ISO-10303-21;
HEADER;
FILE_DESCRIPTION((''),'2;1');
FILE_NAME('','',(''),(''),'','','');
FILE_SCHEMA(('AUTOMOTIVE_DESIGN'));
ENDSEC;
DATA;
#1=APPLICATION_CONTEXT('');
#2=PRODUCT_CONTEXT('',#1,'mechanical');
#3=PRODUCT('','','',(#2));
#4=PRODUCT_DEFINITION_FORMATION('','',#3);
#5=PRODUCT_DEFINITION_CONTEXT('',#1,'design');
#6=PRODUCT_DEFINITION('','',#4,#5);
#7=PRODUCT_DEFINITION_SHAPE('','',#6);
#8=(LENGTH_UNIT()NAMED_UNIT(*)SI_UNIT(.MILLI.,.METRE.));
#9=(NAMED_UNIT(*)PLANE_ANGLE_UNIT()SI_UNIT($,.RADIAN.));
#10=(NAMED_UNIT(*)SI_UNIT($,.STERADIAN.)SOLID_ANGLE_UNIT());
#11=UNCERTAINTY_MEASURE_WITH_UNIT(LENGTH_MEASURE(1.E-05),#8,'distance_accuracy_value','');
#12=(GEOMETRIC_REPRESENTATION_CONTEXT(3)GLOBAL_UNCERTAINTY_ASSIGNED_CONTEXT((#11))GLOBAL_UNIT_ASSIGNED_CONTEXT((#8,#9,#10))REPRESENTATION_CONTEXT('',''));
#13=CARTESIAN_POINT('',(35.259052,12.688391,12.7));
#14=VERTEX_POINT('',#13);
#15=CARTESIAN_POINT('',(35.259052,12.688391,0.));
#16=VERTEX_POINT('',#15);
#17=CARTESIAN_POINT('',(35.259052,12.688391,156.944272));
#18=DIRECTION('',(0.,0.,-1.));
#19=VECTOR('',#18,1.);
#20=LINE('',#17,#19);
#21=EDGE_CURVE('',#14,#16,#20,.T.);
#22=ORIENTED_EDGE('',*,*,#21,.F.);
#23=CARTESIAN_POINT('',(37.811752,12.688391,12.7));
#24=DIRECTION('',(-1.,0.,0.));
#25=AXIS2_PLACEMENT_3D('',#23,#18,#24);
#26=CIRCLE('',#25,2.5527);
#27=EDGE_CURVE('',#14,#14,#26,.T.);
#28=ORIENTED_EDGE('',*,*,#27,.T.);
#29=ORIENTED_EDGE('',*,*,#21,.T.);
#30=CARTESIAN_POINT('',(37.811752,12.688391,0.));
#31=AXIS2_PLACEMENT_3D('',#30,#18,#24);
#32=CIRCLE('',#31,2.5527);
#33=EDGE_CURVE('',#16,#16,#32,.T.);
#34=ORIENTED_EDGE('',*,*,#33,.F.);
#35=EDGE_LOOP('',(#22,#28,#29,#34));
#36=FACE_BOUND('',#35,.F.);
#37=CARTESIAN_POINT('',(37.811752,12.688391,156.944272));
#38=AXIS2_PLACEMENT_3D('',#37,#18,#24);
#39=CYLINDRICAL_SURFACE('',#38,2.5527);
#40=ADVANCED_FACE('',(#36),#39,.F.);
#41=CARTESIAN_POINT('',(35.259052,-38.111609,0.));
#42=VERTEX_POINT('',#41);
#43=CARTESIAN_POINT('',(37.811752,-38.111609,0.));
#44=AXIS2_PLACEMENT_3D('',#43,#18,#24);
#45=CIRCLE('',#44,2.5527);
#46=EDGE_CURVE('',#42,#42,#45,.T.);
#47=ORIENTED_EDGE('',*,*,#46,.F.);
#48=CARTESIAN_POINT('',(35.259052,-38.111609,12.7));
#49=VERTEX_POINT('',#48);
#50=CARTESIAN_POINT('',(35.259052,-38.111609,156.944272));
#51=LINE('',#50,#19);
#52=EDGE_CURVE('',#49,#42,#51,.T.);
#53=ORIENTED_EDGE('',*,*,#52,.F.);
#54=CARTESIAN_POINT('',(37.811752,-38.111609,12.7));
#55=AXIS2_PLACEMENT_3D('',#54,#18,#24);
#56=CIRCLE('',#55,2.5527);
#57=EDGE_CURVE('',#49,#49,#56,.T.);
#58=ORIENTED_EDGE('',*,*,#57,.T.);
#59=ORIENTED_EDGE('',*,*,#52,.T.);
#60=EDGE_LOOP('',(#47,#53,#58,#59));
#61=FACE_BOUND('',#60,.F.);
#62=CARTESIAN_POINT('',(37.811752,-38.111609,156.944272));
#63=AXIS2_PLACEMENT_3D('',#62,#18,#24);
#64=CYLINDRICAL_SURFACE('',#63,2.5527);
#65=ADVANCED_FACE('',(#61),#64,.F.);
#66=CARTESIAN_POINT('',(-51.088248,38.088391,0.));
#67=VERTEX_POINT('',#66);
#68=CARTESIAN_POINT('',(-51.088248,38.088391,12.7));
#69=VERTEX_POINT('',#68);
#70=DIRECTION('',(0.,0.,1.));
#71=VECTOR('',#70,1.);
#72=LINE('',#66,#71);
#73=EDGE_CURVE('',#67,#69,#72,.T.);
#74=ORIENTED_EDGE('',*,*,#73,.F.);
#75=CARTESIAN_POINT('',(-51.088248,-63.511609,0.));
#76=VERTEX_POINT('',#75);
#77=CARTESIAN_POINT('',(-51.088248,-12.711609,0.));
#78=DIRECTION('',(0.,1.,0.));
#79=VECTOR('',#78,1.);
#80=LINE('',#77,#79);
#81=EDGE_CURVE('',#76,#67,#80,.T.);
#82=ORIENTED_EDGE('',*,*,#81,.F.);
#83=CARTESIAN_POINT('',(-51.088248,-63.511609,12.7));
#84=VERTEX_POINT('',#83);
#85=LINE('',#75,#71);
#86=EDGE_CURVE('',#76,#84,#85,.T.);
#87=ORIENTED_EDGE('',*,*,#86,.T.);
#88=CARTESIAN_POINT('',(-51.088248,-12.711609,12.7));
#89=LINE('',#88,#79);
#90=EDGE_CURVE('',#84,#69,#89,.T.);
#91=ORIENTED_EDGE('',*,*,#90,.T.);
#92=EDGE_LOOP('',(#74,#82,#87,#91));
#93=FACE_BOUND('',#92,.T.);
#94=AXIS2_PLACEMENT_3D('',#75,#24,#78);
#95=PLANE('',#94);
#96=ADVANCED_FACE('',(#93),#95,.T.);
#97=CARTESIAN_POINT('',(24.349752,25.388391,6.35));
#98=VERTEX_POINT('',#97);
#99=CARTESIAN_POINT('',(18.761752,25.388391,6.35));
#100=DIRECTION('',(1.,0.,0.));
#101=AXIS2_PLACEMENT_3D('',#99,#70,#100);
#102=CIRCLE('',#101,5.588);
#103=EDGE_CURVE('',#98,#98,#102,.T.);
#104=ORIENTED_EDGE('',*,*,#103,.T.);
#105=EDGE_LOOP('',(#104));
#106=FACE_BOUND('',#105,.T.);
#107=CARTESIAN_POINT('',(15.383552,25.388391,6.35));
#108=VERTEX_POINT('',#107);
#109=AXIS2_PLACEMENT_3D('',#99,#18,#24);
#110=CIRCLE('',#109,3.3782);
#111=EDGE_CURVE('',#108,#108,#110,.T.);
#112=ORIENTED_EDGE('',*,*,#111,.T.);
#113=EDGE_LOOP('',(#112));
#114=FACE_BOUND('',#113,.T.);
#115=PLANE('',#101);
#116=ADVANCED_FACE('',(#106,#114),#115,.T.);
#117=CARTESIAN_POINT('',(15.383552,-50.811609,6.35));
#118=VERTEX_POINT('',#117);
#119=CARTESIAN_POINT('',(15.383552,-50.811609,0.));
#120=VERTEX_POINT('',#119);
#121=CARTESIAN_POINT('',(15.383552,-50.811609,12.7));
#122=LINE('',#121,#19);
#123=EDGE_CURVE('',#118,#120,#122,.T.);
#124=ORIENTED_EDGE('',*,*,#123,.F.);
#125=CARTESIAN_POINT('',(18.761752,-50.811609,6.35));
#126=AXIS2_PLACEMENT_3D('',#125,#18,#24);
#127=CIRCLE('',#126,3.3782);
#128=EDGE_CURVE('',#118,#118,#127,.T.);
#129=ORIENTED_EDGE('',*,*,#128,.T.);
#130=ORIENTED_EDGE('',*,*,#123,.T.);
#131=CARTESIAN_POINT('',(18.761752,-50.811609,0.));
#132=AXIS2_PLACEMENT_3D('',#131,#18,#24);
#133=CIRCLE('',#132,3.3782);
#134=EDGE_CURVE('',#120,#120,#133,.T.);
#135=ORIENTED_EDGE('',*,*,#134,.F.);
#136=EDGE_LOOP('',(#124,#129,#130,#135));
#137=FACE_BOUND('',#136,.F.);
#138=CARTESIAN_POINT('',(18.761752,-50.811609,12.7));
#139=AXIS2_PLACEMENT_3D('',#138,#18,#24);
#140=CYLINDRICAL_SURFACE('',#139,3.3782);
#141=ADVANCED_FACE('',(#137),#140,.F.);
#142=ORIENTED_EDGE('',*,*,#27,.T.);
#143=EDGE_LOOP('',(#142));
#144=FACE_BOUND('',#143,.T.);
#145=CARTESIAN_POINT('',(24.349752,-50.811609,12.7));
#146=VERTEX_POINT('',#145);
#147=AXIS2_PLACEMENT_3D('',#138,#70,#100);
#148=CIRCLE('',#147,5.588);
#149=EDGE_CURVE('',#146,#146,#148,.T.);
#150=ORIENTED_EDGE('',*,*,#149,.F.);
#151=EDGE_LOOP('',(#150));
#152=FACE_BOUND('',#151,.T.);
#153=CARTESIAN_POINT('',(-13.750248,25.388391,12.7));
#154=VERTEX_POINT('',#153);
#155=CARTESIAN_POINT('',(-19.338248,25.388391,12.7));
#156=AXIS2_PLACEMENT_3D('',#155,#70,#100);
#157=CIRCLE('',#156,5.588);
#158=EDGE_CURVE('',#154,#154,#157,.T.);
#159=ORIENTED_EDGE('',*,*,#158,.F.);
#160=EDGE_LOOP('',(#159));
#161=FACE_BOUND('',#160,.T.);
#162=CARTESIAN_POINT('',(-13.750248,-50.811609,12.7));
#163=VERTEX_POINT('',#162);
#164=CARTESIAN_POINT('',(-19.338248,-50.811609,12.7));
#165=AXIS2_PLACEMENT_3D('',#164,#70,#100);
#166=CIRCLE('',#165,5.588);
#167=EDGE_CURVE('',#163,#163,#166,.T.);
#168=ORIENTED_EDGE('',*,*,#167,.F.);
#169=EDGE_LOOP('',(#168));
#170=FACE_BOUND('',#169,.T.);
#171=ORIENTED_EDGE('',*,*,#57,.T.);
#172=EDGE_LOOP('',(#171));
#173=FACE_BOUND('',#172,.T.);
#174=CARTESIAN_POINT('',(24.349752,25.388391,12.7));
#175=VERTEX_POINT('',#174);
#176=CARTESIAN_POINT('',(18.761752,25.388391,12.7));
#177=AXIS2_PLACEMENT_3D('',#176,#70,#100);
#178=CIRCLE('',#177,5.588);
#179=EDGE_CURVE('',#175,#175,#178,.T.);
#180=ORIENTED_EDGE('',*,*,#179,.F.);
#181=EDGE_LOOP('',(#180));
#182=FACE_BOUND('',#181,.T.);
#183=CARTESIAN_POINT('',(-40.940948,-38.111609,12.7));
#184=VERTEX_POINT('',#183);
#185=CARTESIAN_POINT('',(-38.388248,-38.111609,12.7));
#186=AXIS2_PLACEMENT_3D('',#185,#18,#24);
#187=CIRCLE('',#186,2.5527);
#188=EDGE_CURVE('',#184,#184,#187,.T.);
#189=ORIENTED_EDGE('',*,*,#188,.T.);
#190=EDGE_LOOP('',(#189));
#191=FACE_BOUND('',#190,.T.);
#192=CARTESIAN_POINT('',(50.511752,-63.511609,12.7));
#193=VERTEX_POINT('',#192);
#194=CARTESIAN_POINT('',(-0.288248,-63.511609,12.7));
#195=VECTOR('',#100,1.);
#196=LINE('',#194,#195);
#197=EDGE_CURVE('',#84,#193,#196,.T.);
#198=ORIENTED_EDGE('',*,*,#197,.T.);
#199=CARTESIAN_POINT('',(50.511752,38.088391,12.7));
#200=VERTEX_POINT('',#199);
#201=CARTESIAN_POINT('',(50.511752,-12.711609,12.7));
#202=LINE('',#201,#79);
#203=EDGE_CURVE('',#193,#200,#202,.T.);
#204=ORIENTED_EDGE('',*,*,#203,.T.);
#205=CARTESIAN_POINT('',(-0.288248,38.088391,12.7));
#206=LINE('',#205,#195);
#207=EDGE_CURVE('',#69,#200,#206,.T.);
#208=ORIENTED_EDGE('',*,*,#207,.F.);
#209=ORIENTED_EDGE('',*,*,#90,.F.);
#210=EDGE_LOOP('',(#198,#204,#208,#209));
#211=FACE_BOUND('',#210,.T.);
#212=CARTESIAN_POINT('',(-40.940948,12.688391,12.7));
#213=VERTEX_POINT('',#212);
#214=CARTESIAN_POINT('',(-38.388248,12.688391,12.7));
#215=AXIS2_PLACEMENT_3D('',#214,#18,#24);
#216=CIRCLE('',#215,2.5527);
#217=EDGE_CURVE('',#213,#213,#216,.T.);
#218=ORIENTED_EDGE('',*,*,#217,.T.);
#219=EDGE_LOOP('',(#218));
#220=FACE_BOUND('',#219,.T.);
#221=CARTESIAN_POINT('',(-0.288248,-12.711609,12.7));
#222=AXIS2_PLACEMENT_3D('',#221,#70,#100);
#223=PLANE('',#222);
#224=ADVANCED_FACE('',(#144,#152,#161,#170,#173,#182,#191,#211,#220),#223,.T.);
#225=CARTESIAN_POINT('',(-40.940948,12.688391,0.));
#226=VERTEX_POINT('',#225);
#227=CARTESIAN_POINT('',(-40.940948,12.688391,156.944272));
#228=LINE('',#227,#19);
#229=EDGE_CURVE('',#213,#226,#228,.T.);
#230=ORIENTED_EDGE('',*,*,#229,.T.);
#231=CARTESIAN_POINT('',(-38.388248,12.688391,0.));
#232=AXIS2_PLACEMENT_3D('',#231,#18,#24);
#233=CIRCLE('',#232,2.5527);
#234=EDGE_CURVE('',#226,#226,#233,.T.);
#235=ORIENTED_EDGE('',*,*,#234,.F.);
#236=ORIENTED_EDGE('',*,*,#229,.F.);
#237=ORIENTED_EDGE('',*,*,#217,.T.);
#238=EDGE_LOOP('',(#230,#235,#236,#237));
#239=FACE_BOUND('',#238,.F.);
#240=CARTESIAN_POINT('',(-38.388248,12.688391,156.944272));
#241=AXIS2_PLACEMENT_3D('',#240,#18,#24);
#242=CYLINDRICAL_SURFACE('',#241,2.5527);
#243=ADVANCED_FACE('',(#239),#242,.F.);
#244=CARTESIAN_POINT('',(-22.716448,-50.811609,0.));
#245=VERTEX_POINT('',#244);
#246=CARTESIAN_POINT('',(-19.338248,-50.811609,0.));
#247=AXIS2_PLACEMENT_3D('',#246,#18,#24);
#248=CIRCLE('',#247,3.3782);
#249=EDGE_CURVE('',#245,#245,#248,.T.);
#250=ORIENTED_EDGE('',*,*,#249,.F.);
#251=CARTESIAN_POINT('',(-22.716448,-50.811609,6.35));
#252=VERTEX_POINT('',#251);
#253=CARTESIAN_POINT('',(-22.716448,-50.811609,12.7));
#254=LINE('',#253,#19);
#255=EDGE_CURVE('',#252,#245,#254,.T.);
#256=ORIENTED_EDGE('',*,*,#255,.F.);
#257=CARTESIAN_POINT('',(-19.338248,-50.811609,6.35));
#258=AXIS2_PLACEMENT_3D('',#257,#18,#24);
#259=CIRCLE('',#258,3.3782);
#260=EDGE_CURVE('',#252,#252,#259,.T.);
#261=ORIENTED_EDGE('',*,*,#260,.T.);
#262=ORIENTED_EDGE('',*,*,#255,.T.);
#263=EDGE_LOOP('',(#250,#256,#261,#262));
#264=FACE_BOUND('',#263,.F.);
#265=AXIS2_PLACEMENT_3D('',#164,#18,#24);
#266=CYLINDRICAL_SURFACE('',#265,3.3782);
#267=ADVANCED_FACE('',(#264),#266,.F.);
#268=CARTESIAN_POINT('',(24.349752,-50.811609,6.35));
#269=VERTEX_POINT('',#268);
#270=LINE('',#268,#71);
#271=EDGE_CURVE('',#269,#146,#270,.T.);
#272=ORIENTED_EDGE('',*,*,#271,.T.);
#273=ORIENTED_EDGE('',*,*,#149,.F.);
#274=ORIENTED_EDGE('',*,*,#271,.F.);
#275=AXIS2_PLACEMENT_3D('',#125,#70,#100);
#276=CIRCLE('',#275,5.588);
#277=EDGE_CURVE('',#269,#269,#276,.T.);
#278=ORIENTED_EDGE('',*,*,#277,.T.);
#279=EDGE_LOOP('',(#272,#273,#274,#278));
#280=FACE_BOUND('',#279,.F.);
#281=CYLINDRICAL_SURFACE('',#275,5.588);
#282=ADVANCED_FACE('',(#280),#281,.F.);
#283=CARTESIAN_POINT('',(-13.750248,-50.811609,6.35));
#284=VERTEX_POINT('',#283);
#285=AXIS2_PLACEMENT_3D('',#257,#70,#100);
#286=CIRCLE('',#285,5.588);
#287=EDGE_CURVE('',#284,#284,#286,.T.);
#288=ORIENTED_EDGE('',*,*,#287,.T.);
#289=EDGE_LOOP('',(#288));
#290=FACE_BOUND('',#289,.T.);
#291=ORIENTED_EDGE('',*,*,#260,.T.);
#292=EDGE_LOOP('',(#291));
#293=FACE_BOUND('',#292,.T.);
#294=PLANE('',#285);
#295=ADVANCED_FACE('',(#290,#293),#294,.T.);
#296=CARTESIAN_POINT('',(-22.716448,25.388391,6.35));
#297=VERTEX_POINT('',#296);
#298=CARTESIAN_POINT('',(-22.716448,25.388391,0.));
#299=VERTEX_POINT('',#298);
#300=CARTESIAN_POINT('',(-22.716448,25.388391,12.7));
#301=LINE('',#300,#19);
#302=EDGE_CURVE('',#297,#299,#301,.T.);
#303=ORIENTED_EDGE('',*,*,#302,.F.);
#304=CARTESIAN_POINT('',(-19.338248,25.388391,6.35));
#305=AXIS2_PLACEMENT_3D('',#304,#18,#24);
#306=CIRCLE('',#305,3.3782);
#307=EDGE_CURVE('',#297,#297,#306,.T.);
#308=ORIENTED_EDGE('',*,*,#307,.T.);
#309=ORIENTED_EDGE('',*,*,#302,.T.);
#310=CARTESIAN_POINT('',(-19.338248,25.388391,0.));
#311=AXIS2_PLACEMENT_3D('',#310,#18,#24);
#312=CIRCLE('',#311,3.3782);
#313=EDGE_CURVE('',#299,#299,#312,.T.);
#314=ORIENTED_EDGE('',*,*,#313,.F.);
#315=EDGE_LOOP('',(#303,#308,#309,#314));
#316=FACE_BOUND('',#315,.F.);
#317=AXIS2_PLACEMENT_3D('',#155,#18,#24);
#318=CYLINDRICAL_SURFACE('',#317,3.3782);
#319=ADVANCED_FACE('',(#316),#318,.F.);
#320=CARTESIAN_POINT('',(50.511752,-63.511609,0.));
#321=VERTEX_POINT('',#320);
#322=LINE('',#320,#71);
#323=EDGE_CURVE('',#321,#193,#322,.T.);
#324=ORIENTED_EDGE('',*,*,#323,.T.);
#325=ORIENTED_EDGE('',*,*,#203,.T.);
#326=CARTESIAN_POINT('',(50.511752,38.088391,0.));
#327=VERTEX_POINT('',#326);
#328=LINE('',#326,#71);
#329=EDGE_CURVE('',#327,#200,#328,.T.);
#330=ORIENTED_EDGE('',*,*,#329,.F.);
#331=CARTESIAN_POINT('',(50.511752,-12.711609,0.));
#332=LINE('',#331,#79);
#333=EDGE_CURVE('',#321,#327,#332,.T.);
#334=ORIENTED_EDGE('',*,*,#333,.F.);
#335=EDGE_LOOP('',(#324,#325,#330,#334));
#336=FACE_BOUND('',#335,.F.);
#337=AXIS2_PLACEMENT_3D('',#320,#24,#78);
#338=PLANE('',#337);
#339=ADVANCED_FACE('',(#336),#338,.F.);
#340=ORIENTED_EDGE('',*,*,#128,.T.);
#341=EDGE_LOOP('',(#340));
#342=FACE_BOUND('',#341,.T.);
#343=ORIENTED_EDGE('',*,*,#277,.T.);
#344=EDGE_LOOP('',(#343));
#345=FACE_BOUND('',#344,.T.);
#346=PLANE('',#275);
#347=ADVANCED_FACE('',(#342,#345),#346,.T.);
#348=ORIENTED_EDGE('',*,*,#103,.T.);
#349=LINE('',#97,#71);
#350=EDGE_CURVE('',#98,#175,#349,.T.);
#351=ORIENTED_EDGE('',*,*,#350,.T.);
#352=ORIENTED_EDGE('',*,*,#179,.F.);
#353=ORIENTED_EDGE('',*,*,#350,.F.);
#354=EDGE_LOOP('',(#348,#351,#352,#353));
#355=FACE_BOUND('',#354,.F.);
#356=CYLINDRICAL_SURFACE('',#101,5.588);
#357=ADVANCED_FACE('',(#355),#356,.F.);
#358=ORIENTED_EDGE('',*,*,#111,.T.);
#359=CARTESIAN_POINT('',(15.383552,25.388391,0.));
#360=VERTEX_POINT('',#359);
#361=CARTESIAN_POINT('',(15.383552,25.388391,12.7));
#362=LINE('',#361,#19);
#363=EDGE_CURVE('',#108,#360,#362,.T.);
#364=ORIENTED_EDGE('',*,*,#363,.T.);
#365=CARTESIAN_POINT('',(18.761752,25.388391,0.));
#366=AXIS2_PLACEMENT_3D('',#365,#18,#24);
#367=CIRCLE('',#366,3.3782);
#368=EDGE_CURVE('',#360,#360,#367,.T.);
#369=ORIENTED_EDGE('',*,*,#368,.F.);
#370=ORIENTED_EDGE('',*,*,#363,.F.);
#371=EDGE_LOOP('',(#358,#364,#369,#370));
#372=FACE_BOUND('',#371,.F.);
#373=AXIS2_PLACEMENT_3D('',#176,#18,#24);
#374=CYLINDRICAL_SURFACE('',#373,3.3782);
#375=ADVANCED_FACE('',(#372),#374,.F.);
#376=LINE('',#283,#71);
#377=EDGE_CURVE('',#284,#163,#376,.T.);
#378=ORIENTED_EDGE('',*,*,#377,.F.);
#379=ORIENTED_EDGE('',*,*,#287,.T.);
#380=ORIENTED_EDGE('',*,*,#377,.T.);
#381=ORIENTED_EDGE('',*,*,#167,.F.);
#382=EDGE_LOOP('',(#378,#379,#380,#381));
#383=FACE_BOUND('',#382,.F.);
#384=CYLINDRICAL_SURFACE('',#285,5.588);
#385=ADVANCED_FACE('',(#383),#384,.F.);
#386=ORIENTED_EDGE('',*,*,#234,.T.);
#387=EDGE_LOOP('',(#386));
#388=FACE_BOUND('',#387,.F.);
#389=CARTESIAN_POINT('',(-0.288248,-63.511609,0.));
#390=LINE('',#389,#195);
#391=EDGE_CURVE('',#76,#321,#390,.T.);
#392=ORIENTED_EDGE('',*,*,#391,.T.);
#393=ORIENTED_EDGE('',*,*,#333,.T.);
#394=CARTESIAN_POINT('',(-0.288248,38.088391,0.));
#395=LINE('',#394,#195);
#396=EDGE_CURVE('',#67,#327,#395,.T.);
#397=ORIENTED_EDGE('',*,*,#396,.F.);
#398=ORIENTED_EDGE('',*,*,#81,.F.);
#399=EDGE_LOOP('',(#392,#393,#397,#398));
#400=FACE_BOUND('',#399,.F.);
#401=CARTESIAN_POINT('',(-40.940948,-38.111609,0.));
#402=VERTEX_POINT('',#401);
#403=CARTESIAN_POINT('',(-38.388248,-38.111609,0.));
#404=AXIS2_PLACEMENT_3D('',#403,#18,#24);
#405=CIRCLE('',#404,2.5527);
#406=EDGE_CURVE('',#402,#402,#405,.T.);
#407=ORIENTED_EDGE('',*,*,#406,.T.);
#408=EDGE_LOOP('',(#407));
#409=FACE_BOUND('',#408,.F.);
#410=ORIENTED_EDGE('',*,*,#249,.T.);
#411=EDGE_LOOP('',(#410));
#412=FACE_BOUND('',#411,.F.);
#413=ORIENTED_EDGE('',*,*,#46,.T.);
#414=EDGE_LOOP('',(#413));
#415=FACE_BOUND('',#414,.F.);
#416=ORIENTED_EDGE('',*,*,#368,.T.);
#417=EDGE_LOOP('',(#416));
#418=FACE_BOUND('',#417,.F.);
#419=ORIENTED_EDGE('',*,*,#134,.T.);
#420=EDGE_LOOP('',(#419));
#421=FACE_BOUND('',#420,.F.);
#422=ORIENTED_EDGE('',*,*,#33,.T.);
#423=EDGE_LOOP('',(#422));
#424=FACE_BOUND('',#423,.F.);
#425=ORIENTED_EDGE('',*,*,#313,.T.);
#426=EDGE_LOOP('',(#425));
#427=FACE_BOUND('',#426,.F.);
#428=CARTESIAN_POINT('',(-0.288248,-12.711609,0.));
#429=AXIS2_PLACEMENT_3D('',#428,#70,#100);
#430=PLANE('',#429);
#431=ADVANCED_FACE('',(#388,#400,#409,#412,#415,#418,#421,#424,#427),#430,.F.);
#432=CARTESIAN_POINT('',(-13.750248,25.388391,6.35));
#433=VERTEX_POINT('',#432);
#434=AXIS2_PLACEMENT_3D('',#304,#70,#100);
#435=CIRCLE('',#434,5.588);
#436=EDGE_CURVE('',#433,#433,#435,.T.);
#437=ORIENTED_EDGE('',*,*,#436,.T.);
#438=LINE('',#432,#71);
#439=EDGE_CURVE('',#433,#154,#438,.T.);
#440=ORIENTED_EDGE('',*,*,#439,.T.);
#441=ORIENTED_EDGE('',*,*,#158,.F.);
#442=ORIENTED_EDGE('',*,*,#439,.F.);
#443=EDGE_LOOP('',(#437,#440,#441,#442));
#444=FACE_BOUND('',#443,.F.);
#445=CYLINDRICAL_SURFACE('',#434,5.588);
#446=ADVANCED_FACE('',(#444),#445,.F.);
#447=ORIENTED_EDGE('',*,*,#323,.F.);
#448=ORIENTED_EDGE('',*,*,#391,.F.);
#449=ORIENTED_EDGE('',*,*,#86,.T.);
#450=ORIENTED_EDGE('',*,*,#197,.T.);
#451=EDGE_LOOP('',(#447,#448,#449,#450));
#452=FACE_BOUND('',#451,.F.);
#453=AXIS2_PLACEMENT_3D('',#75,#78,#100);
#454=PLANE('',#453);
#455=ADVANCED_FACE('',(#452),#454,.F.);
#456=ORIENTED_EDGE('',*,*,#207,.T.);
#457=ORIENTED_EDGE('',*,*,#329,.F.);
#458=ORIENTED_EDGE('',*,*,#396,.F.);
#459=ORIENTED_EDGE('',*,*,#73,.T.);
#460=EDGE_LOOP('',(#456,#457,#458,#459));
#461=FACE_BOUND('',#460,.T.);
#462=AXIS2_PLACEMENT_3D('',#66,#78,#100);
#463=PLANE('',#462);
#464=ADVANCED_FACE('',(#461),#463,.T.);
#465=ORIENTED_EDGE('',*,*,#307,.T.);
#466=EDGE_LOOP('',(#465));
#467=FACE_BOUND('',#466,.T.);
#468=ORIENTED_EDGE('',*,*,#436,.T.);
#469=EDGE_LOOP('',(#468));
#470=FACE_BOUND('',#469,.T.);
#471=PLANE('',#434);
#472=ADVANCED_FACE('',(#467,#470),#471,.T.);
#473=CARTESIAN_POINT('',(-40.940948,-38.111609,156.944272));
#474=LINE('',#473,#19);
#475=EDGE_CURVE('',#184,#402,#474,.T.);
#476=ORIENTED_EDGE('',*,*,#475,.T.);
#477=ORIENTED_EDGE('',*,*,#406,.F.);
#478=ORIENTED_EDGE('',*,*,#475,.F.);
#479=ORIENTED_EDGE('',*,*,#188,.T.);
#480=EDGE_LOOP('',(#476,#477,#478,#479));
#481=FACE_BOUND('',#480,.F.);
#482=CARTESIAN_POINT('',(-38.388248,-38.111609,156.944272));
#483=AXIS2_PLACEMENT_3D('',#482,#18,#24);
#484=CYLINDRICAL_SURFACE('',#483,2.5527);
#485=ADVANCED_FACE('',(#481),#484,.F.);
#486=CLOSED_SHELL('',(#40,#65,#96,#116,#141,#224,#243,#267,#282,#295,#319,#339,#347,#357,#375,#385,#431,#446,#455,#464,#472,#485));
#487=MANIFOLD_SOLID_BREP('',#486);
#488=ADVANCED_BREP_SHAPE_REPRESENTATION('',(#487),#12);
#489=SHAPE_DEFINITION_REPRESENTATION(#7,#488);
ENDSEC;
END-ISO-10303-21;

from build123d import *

# Parameters (mm, degrees)
F0_W           = 101.6
F0_H           = 101.6
F1_DEPTH       = 12.7
F3_D           = 6.7564
F3_CBORE_D     = 11.176
F3_CBORE_DEPTH = 6.35
F5_D           = 5.1054


with BuildPart() as f1:
    # F0 (on Top) → F1 (new body)
    with BuildSketch(Plane.XY):
        with Locations((-0.288248, -12.711609)):
            Rectangle(F0_W, F0_H)
    extrude(amount=F1_DEPTH)

    # F3 (through all)
    with Locations(Plane.XY.offset(12.7)):
        with Locations((-19.338248, 25.388391), (18.761752, 25.388391), (-19.338248, -50.811609), (18.761752, -50.811609)):
            CounterBoreHole(F3_D / 2, F3_CBORE_D / 2, F3_CBORE_DEPTH)

    # F5 (through all)
    with Locations(Plane.XY.offset(12.7)):
        with Locations((-38.388248, 12.688391), (-38.388248, -38.111609), (37.811752, -38.111609), (37.811752, 12.688391)):
            Hole(F5_D / 2)


solid = f1.part
